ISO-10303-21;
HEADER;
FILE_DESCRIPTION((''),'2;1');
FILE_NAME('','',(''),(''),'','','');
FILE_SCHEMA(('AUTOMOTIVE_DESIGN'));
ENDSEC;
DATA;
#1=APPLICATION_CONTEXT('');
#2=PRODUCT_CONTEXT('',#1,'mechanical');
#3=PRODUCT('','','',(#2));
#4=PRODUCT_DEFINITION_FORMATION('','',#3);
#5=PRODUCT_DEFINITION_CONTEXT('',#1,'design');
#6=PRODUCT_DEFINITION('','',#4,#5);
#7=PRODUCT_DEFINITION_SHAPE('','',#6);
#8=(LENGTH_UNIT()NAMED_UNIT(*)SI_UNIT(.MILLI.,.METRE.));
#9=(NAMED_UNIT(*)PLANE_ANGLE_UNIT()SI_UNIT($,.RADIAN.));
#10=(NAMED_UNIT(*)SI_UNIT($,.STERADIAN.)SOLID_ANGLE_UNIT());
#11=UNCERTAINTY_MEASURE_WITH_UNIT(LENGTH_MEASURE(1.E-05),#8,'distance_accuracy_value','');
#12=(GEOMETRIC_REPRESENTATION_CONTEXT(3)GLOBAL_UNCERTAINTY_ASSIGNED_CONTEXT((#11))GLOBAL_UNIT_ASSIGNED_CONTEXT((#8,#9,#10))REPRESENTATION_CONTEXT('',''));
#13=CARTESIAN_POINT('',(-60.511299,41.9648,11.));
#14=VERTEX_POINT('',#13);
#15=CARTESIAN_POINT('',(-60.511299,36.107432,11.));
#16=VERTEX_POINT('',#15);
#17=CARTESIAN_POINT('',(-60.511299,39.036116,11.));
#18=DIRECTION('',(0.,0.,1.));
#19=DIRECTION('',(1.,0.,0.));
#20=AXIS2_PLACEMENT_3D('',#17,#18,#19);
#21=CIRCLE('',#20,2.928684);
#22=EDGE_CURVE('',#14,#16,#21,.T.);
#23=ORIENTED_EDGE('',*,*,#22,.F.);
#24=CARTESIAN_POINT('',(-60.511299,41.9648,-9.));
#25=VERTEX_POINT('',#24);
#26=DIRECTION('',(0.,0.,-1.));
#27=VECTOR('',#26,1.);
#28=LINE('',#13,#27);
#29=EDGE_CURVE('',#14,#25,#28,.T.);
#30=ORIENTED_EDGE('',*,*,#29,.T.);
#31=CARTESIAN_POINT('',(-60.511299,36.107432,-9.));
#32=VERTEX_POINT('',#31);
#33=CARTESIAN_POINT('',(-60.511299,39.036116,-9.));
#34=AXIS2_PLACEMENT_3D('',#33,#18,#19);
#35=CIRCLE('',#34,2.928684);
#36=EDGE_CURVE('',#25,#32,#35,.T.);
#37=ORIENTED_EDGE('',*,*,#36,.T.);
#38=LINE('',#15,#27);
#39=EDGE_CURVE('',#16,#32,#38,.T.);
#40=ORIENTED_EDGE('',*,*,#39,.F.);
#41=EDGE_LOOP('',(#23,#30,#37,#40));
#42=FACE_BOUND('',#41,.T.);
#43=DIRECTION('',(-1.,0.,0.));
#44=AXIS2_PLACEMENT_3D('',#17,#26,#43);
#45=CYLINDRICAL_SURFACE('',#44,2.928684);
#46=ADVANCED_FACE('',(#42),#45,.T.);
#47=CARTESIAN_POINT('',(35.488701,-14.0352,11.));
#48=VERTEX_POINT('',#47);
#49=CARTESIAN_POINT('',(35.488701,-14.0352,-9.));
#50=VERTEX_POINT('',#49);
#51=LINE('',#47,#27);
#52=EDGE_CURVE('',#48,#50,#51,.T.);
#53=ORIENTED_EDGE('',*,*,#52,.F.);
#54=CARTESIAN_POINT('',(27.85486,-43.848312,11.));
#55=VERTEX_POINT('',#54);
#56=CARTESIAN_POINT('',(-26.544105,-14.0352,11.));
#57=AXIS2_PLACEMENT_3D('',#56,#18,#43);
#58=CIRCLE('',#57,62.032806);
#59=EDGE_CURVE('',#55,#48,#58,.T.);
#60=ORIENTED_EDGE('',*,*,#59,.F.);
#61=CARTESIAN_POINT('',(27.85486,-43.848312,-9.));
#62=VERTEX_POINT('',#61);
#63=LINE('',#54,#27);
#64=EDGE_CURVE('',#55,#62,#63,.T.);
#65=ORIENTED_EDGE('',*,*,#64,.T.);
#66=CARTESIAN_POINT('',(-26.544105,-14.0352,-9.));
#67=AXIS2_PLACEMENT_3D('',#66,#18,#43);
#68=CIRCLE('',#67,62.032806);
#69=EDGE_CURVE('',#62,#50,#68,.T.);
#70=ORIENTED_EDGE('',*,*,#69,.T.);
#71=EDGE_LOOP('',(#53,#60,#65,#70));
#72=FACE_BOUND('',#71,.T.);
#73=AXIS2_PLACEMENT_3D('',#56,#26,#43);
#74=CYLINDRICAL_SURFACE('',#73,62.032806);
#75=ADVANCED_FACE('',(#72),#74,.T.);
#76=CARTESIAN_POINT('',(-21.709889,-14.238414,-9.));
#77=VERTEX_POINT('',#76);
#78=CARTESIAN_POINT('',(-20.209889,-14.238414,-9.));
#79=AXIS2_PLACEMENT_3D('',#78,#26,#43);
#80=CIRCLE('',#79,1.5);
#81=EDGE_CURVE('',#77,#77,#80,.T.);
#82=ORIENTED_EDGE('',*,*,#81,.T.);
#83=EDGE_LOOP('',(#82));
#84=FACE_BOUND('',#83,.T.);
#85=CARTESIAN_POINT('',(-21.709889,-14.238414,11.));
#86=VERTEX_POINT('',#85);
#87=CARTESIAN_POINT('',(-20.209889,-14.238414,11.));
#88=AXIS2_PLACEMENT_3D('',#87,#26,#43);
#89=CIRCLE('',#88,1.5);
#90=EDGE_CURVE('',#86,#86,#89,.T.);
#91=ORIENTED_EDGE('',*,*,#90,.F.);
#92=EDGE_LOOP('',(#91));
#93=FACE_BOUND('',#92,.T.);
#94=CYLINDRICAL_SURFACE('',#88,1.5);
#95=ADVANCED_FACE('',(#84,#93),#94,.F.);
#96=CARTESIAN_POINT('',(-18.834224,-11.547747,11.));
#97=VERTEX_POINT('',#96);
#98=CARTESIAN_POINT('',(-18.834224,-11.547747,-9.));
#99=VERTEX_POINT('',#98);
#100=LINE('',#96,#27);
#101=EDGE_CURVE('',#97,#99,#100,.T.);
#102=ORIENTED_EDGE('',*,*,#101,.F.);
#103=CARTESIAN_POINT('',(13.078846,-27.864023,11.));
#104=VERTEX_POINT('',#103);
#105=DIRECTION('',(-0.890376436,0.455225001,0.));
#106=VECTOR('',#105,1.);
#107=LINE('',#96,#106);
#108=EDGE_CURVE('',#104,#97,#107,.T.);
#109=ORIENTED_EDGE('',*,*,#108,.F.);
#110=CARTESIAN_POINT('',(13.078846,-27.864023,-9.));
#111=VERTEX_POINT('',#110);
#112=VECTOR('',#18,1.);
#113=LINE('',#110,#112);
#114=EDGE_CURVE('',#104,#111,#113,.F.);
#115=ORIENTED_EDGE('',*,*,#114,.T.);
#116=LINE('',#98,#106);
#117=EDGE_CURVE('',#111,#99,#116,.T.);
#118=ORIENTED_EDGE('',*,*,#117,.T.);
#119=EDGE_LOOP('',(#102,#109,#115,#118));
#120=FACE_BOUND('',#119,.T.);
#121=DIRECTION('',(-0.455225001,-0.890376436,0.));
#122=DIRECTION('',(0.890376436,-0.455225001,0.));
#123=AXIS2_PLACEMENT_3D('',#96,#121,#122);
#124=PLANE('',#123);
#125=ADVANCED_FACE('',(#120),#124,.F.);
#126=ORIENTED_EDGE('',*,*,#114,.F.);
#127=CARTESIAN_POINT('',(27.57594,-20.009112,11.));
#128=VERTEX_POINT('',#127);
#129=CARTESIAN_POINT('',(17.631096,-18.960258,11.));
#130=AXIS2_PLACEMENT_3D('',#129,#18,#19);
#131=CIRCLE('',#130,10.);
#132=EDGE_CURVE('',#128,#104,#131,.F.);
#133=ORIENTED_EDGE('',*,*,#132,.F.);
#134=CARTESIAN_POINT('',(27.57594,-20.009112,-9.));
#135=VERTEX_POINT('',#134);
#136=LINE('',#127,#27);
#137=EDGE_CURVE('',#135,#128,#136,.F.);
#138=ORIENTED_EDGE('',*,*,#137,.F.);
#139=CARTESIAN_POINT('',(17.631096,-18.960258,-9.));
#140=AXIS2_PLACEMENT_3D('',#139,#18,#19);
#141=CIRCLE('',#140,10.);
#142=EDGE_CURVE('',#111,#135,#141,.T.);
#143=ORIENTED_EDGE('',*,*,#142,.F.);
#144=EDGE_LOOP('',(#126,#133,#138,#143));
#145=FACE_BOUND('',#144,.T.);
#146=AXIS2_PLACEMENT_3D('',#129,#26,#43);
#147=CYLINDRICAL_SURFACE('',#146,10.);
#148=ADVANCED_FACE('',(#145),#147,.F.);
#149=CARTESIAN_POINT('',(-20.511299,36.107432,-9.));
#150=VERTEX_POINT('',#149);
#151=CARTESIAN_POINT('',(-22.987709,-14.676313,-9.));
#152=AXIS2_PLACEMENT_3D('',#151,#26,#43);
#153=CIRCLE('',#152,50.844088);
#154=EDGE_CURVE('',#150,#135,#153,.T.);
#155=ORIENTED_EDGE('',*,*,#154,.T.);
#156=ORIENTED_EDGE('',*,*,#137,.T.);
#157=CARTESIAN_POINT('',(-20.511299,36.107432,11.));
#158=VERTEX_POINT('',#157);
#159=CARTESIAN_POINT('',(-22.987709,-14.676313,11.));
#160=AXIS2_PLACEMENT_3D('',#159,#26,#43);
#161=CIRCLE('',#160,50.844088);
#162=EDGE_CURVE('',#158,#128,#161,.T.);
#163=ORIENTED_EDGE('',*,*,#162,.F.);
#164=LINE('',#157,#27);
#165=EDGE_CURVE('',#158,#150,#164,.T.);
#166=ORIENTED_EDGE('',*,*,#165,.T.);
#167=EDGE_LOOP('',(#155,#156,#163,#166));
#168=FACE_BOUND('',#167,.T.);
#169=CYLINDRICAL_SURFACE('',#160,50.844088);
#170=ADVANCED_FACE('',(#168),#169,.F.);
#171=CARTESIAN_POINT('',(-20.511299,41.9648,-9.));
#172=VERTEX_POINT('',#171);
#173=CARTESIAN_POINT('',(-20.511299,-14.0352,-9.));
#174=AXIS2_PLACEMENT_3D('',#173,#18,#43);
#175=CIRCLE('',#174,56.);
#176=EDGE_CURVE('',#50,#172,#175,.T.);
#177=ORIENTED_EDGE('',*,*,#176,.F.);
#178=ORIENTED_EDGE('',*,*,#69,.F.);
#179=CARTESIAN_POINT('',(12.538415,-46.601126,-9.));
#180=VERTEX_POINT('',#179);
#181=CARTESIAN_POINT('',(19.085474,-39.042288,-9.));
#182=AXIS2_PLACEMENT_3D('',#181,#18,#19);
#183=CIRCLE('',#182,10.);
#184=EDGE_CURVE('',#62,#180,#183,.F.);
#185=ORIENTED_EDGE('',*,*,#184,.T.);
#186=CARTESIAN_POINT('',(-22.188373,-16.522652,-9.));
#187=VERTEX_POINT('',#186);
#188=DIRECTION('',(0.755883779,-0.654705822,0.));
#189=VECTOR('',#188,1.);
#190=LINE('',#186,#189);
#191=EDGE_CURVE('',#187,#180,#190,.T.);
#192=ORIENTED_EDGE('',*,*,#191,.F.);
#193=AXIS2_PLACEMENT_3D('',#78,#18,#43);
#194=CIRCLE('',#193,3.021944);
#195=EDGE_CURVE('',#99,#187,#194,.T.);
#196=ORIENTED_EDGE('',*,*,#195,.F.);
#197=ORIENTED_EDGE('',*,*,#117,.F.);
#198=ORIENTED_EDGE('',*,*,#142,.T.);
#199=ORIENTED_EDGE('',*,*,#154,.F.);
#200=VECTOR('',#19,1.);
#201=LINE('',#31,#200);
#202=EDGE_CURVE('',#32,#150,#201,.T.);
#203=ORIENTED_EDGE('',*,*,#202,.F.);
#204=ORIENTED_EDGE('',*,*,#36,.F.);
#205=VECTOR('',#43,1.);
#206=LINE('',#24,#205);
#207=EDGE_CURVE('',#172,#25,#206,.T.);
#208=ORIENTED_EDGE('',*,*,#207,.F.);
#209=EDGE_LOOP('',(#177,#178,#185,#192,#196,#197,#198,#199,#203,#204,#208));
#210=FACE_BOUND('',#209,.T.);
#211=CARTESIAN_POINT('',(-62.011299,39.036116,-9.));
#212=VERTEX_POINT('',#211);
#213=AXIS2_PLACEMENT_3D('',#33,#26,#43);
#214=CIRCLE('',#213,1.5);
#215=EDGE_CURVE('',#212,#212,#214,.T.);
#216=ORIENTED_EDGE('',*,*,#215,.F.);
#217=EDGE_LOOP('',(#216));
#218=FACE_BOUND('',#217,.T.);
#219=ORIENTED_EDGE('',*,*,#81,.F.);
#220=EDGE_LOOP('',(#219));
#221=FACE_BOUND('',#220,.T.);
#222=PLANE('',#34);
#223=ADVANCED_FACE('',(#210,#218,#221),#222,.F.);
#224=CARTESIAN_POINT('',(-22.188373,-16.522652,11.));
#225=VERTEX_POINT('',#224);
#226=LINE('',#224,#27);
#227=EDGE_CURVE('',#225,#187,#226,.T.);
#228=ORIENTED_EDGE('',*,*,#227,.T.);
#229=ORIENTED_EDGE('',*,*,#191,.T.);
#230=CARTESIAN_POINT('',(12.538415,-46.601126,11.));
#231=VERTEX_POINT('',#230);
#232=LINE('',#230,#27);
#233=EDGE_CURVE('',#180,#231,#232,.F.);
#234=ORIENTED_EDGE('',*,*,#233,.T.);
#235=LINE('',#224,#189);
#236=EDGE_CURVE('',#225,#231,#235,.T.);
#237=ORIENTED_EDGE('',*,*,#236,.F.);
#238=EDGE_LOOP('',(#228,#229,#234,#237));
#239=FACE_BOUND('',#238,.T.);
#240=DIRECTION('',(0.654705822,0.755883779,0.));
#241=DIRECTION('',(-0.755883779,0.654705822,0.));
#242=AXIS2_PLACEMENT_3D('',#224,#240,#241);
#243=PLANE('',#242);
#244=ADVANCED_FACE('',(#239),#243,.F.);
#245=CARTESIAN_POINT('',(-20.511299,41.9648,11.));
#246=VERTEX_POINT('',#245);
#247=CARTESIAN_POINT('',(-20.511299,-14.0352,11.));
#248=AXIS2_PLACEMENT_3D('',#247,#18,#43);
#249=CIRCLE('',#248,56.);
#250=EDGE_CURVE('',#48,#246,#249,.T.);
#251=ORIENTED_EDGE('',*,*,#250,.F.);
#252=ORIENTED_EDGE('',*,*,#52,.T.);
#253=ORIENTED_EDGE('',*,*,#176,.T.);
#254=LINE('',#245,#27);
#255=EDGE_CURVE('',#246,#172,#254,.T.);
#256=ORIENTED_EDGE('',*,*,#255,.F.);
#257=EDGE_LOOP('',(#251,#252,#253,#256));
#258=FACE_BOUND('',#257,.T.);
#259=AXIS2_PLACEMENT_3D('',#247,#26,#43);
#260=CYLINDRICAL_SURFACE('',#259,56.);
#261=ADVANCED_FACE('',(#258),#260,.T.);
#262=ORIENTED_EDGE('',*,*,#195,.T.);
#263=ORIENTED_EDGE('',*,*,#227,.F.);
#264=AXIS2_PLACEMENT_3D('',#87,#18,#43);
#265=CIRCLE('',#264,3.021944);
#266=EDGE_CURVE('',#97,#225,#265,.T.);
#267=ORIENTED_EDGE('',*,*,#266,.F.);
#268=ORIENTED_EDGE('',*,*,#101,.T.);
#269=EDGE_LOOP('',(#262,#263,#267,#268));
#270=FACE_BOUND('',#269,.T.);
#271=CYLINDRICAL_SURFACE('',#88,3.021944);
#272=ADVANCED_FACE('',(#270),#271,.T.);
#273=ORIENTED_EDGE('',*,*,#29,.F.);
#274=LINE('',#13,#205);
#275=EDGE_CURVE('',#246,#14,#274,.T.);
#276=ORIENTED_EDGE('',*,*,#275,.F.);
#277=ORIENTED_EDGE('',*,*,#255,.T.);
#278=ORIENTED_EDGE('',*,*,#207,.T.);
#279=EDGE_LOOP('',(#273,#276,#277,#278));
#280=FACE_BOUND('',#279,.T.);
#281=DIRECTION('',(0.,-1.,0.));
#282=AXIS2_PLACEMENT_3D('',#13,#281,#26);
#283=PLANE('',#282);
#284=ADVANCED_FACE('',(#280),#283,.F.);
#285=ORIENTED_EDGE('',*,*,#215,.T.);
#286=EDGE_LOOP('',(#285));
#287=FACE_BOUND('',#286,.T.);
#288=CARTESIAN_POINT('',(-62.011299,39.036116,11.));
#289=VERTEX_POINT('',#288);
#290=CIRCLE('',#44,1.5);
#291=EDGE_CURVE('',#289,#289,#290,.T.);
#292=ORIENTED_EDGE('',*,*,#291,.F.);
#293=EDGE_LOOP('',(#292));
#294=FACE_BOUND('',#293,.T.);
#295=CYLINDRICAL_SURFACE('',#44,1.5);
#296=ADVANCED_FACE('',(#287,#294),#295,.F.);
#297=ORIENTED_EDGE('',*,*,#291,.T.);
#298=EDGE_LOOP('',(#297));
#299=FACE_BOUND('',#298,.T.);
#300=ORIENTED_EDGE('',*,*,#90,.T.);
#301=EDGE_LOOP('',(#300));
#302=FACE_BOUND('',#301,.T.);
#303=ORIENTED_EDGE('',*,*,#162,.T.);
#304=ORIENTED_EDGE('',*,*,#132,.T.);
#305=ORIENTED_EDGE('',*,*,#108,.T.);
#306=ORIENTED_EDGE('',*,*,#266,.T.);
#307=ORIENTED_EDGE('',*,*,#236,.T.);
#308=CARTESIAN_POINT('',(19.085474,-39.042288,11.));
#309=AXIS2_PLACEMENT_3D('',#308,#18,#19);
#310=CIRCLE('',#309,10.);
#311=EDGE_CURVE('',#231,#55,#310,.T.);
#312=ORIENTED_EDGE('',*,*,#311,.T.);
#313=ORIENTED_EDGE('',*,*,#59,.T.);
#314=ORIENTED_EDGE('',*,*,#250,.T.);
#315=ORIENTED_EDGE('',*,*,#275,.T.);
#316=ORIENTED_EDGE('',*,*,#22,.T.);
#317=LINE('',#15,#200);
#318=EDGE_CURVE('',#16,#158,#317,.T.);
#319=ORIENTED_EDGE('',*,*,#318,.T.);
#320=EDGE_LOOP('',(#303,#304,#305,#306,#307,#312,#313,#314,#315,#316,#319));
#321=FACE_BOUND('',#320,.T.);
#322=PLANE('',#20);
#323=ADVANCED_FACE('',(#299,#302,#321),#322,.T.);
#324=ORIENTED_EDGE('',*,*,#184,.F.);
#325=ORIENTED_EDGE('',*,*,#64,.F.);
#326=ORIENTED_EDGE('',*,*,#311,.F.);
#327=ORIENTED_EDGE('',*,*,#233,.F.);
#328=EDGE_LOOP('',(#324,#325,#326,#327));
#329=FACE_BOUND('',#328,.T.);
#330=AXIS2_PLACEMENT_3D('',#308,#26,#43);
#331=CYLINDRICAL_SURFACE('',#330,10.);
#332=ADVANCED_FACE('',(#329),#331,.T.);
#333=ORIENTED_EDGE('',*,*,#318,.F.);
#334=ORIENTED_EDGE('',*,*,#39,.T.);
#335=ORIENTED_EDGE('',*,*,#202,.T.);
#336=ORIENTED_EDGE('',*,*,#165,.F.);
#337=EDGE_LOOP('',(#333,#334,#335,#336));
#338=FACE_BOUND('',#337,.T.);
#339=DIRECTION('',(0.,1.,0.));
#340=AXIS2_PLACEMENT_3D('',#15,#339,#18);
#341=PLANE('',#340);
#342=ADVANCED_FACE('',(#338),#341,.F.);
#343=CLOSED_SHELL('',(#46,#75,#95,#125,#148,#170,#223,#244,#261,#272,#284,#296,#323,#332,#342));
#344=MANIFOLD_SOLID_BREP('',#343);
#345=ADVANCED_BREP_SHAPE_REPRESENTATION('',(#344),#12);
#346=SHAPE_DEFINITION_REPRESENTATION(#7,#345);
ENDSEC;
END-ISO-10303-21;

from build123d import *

# Parameters (mm, degrees)
BOSS_EXTRUDE1_DEPTH = 2
SKETCH2_R           = 0.15
CUT_EXTRUDE1_DEPTH  = 3
SKETCH3_R           = 0.15
CUT_EXTRUDE4_DEPTH  = 3
FILLET2_R           = 1
FILLET3_R           = 1
SCALE2_SCALE        = 10


with BuildPart() as part:
    # Sketch1 → Boss-Extrude1 (new body)
    with BuildSketch(Plane.XY):
        with BuildLine():
            Line((-1.517184845, 0.342990579), (2.482815155, 0.342990579))
            ThreePointArc((2.482815155, 0.342990579), (6.442613129, -1.297211446), (8.082815155, -5.257009421))
            ThreePointArc((8.082815155, -5.257009421), (7.70871156, -7.378656338), (6.631523189, -9.244401325))
            Line((6.631523189, -9.244401325), (2.315107728, -5.50575471))
            ThreePointArc((2.315107728, -5.50575471), (2.262391387, -5.108396746), (2.650522581, -5.008264131))
            Line((2.650522581, -5.008264131), (6.955903492, -7.209487065))
            ThreePointArc((6.955903492, -7.209487065), (6.513613709, -2.574091852), (2.482815155, -0.242746306))
            Line((2.482815155, -0.242746306), (-1.517184845, -0.242746306))
            ThreePointArc((-1.517184845, -0.242746306), (-1.810053288, 0.050122136), (-1.517184845, 0.342990579))
        make_face()
    extrude(amount=BOSS_EXTRUDE1_DEPTH)

    # Sketch2 → Cut-Extrude1 (cut, through all)
    with BuildSketch(Plane(origin=(0, 0, 0), x_dir=(-1, 0, 0), z_dir=(0, 0, -1))):
        with Locations((-2.512956146, -5.277330883)):
            Circle(SKETCH2_R)
    extrude(amount=-CUT_EXTRUDE1_DEPTH, mode=Mode.SUBTRACT)

    # Sketch3 → Cut-Extrude4 (cut, through all)
    with BuildSketch(Plane(origin=(0, 0, 0), x_dir=(-1, 0, 0), z_dir=(0, 0, -1))):
        with Locations((1.517184845, 0.050122136)):
            Circle(SKETCH3_R)
    extrude(amount=-CUT_EXTRUDE4_DEPTH, mode=Mode.SUBTRACT)

    # Fillet2
    fillet2_edges = [part.edges().sort_by_distance(p)[0] for p in [
        (6.631523189, -9.244401325, 1),
    ]]
    fillet(fillet2_edges, radius=FILLET2_R)

    # Fillet3
    fillet3_edges = [part.edges().sort_by_distance(p)[0] for p in [
        (6.955903492, -7.209487065, 1),
    ]]
    fillet(fillet3_edges, radius=FILLET3_R)


with BuildPart() as part_1:
    # Scale2: scaled about (5.037716687, -4.281654958, 1)
    add(part.part.scale(SCALE2_SCALE).moved(Location((-45.339450183, 38.534894622, -9))))


solid = part_1.part
